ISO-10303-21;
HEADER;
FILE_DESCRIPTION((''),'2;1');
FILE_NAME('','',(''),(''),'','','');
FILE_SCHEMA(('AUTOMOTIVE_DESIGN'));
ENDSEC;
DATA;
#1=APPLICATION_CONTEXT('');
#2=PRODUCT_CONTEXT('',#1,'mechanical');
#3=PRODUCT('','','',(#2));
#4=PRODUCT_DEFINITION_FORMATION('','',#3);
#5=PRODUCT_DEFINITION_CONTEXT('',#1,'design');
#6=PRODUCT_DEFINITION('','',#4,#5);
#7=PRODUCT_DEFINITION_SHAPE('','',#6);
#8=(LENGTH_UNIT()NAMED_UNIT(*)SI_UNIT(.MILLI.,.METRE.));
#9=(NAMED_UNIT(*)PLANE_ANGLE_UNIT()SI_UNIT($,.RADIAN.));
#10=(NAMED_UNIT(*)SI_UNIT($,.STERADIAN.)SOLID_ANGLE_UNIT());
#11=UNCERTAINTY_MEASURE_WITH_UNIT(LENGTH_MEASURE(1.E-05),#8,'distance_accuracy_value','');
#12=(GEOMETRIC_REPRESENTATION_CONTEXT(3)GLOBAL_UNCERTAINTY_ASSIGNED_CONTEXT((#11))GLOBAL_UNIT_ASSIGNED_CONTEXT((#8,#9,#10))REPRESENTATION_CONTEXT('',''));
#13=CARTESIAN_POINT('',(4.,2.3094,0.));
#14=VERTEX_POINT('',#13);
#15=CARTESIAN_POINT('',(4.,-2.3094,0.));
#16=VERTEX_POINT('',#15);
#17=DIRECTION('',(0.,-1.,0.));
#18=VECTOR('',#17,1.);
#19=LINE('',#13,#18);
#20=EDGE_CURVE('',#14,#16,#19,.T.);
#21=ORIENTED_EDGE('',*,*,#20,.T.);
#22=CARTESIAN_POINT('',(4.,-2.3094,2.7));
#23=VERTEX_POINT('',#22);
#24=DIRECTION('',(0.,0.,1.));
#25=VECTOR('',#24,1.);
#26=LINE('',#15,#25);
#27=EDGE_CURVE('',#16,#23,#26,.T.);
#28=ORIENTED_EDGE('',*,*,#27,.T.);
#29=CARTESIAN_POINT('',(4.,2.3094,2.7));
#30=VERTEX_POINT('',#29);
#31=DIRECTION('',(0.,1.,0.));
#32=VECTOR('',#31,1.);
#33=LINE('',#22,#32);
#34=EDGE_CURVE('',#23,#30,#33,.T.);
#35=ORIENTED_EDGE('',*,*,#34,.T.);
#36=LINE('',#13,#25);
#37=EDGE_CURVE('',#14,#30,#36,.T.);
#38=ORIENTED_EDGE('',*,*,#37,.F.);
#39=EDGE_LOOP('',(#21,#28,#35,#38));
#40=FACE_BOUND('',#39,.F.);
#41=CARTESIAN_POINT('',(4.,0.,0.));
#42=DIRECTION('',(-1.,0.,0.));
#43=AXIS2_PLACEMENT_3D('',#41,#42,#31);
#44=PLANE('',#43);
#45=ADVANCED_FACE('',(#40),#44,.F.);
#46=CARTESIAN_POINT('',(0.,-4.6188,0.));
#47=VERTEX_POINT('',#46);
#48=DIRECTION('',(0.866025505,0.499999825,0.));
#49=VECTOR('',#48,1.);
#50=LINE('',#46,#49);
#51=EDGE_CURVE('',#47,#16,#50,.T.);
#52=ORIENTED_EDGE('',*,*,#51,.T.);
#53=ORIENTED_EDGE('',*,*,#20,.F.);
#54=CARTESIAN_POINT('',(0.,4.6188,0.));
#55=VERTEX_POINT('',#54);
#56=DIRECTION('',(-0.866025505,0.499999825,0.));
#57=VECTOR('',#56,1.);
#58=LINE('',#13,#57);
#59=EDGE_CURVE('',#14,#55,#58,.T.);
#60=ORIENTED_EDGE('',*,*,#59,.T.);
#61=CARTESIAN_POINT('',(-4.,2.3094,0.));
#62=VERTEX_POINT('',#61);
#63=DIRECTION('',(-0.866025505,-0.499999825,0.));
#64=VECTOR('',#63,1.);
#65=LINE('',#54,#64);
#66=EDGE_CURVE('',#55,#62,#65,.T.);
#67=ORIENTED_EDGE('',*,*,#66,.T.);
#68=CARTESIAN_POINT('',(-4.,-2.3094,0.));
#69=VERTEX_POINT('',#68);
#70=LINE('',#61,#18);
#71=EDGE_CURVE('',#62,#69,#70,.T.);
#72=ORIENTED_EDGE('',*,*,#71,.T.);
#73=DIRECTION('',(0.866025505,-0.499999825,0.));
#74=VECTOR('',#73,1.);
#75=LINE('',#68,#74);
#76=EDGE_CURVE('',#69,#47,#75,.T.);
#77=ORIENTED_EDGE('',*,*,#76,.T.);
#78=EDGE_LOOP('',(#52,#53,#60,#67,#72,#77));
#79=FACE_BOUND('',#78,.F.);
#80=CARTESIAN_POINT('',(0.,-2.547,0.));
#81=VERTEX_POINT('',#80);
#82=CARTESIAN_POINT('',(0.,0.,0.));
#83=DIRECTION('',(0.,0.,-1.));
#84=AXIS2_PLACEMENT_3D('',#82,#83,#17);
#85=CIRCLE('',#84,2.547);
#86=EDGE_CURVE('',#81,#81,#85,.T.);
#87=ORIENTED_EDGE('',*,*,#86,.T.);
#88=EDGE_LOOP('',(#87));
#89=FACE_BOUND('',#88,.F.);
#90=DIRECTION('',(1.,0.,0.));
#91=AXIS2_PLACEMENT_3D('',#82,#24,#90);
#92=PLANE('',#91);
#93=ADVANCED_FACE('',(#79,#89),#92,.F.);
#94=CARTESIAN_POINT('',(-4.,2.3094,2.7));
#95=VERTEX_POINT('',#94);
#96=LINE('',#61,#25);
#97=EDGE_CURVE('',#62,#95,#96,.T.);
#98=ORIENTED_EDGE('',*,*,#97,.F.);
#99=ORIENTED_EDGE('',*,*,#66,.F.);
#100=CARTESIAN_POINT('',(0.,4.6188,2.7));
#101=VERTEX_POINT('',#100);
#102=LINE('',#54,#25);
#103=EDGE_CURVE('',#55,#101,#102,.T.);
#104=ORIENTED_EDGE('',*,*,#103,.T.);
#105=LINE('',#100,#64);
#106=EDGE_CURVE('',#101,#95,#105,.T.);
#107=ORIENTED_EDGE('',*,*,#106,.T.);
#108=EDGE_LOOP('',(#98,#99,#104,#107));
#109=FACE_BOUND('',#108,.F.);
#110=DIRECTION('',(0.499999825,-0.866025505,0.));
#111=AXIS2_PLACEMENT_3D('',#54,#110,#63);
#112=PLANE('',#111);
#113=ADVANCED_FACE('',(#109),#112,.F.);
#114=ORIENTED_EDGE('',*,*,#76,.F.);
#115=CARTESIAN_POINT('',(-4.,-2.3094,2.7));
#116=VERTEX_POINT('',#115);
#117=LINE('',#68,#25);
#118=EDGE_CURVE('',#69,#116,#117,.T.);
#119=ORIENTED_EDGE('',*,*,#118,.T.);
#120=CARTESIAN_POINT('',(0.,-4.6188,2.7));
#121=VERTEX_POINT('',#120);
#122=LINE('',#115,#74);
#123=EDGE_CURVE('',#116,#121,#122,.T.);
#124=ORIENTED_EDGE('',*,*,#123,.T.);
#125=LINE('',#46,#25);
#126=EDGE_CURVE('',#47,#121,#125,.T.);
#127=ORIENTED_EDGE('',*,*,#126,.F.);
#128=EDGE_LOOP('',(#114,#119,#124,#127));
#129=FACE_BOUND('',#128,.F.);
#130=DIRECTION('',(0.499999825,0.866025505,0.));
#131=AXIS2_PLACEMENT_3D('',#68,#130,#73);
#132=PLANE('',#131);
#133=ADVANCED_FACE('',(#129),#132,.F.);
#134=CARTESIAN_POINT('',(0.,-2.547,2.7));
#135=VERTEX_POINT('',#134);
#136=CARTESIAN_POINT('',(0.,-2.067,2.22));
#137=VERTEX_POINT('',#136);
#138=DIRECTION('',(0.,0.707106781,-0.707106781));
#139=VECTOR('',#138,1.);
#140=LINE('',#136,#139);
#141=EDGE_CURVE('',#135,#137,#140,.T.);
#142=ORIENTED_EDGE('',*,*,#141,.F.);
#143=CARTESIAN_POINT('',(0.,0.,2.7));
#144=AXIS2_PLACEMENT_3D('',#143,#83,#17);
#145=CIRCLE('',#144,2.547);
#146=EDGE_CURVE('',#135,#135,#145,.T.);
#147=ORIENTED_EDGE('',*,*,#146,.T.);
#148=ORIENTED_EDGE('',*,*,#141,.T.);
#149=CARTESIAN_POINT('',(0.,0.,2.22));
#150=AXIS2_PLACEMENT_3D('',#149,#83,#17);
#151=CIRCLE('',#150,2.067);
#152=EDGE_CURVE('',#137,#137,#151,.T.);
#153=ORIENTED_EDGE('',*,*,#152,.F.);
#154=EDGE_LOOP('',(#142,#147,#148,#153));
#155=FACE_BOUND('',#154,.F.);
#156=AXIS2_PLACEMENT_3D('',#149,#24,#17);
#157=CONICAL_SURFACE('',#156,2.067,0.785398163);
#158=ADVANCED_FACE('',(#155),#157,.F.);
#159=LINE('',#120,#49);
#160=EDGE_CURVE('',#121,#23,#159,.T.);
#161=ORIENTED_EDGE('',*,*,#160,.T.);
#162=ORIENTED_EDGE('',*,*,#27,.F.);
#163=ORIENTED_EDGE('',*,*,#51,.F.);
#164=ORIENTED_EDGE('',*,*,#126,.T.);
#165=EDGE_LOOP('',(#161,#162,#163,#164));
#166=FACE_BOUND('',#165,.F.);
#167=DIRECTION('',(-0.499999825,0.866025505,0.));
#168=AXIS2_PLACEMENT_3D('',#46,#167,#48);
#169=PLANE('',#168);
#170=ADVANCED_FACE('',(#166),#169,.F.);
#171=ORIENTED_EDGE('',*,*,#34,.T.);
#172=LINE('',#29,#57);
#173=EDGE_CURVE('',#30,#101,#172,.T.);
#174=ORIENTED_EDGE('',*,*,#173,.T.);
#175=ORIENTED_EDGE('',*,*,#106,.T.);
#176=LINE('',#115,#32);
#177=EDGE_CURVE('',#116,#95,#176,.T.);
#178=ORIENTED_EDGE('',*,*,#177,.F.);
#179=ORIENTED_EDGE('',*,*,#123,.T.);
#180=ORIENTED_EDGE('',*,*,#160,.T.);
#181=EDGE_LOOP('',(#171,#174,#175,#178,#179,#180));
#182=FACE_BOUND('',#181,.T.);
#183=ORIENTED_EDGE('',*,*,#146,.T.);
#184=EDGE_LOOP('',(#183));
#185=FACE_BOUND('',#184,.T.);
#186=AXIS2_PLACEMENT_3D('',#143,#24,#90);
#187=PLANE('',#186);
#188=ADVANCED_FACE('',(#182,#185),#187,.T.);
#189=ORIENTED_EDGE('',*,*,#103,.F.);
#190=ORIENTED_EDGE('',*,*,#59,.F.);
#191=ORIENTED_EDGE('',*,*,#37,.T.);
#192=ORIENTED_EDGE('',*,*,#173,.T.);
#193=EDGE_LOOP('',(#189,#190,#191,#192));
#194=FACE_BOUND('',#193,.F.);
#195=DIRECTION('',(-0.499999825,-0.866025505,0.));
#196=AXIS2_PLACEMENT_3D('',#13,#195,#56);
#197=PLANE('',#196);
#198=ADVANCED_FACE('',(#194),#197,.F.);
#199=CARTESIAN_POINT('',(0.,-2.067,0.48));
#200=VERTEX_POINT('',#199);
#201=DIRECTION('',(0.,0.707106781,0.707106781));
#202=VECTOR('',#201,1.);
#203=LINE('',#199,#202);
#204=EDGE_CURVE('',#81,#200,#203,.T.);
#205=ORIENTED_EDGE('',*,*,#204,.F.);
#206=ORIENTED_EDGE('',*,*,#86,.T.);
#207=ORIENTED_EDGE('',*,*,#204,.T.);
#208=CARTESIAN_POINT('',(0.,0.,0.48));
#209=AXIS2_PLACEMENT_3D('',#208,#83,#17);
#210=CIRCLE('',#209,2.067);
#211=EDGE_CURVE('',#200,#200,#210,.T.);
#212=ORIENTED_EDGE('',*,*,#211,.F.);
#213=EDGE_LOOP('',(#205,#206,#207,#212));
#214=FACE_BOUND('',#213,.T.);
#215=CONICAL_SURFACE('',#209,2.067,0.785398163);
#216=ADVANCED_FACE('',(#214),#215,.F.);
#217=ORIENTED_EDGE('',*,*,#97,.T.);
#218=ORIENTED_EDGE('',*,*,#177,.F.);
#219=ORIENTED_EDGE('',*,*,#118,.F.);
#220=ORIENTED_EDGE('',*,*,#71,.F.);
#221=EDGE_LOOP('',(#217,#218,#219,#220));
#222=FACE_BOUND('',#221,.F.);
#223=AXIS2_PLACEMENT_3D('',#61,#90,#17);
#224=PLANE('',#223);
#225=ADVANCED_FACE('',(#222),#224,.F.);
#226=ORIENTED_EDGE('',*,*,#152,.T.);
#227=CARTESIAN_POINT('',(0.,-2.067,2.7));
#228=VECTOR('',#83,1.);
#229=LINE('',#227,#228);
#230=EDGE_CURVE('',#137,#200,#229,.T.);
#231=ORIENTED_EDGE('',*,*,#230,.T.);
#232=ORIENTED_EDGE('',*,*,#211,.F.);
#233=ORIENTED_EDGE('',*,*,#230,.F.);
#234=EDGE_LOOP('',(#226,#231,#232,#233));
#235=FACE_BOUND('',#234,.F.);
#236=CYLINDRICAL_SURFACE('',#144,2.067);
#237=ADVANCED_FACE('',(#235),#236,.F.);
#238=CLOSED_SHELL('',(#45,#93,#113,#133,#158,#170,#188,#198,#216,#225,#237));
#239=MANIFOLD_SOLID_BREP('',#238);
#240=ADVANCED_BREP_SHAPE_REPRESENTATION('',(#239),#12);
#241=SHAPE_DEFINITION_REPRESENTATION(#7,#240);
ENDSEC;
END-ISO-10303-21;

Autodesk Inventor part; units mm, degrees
sketch "Sketch1" plane through (0, 0, 0) normal (0, 0, 1) x (1, 0, 0)
  circle A0 centre (0, 0) radius 4 construction
  line L0 (-4, 2.3094) -> (-4, -2.3094)
  line L1 (-4, -2.3094) -> (0, -4.6188)
  line L2 (0, -4.6188) -> (4, -2.3094)
  line L3 (4, -2.3094) -> (4, 2.3094)
  line L4 (4, 2.3094) -> (0, 4.6188)
  line L5 (0, 4.6188) -> (-4, 2.3094)
  line L6 (0, 6.4663) -> (0, -6.4663) projected
  line L7 (-5.6, 0) -> (5.6, 0) projected
  point P0 (0, 0)
  dimension "ParS" = 8
extrude "Extrusion1" add sketch "Sketch1" along normal blind 2.7
sketch "Sketch2" plane through (0, 0, 2.7) normal (0, 0, 1) x (1, 0, 0)
  point P0 (0, 0)
  point P1 (0, 0)
hole "Hole1" at (0, 0, 2.7) direction (0, 0, -1) diameter 4.134 end through all thread size "M5x0.8" class "6H" standard "ISO Metric profile"
ref_plane "MSC_PT1" through (0, 0, 2.7) normal (0, 0, 1) x (1, 0, 0)
ref_plane "MSC_PT2" through (0, 0, 0) normal (0, 0, -1) x (-1, 0, 0)
ref_plane "MSC_PF1" through (0, 0, 0) normal (1, 0, 0) x (0, 1, 0)
chamfer "Chamfer1" distance 0.48 angle 45 2 edges at (0, 2.067, 2.7) (0, 2.067, 0)
equation "\"d17\" = 0.6 * PTC"
equation "\"d18\" = 0.6 * PTC"
equation "\"d4\" = M"
equation "\"PTC\" = 0.8"
equation "\"NND\" = 5"
equation "\"THREADDIA\" = NND"
properties part number "CSN EN 24 036 - M5" material "Steel, Mild"
